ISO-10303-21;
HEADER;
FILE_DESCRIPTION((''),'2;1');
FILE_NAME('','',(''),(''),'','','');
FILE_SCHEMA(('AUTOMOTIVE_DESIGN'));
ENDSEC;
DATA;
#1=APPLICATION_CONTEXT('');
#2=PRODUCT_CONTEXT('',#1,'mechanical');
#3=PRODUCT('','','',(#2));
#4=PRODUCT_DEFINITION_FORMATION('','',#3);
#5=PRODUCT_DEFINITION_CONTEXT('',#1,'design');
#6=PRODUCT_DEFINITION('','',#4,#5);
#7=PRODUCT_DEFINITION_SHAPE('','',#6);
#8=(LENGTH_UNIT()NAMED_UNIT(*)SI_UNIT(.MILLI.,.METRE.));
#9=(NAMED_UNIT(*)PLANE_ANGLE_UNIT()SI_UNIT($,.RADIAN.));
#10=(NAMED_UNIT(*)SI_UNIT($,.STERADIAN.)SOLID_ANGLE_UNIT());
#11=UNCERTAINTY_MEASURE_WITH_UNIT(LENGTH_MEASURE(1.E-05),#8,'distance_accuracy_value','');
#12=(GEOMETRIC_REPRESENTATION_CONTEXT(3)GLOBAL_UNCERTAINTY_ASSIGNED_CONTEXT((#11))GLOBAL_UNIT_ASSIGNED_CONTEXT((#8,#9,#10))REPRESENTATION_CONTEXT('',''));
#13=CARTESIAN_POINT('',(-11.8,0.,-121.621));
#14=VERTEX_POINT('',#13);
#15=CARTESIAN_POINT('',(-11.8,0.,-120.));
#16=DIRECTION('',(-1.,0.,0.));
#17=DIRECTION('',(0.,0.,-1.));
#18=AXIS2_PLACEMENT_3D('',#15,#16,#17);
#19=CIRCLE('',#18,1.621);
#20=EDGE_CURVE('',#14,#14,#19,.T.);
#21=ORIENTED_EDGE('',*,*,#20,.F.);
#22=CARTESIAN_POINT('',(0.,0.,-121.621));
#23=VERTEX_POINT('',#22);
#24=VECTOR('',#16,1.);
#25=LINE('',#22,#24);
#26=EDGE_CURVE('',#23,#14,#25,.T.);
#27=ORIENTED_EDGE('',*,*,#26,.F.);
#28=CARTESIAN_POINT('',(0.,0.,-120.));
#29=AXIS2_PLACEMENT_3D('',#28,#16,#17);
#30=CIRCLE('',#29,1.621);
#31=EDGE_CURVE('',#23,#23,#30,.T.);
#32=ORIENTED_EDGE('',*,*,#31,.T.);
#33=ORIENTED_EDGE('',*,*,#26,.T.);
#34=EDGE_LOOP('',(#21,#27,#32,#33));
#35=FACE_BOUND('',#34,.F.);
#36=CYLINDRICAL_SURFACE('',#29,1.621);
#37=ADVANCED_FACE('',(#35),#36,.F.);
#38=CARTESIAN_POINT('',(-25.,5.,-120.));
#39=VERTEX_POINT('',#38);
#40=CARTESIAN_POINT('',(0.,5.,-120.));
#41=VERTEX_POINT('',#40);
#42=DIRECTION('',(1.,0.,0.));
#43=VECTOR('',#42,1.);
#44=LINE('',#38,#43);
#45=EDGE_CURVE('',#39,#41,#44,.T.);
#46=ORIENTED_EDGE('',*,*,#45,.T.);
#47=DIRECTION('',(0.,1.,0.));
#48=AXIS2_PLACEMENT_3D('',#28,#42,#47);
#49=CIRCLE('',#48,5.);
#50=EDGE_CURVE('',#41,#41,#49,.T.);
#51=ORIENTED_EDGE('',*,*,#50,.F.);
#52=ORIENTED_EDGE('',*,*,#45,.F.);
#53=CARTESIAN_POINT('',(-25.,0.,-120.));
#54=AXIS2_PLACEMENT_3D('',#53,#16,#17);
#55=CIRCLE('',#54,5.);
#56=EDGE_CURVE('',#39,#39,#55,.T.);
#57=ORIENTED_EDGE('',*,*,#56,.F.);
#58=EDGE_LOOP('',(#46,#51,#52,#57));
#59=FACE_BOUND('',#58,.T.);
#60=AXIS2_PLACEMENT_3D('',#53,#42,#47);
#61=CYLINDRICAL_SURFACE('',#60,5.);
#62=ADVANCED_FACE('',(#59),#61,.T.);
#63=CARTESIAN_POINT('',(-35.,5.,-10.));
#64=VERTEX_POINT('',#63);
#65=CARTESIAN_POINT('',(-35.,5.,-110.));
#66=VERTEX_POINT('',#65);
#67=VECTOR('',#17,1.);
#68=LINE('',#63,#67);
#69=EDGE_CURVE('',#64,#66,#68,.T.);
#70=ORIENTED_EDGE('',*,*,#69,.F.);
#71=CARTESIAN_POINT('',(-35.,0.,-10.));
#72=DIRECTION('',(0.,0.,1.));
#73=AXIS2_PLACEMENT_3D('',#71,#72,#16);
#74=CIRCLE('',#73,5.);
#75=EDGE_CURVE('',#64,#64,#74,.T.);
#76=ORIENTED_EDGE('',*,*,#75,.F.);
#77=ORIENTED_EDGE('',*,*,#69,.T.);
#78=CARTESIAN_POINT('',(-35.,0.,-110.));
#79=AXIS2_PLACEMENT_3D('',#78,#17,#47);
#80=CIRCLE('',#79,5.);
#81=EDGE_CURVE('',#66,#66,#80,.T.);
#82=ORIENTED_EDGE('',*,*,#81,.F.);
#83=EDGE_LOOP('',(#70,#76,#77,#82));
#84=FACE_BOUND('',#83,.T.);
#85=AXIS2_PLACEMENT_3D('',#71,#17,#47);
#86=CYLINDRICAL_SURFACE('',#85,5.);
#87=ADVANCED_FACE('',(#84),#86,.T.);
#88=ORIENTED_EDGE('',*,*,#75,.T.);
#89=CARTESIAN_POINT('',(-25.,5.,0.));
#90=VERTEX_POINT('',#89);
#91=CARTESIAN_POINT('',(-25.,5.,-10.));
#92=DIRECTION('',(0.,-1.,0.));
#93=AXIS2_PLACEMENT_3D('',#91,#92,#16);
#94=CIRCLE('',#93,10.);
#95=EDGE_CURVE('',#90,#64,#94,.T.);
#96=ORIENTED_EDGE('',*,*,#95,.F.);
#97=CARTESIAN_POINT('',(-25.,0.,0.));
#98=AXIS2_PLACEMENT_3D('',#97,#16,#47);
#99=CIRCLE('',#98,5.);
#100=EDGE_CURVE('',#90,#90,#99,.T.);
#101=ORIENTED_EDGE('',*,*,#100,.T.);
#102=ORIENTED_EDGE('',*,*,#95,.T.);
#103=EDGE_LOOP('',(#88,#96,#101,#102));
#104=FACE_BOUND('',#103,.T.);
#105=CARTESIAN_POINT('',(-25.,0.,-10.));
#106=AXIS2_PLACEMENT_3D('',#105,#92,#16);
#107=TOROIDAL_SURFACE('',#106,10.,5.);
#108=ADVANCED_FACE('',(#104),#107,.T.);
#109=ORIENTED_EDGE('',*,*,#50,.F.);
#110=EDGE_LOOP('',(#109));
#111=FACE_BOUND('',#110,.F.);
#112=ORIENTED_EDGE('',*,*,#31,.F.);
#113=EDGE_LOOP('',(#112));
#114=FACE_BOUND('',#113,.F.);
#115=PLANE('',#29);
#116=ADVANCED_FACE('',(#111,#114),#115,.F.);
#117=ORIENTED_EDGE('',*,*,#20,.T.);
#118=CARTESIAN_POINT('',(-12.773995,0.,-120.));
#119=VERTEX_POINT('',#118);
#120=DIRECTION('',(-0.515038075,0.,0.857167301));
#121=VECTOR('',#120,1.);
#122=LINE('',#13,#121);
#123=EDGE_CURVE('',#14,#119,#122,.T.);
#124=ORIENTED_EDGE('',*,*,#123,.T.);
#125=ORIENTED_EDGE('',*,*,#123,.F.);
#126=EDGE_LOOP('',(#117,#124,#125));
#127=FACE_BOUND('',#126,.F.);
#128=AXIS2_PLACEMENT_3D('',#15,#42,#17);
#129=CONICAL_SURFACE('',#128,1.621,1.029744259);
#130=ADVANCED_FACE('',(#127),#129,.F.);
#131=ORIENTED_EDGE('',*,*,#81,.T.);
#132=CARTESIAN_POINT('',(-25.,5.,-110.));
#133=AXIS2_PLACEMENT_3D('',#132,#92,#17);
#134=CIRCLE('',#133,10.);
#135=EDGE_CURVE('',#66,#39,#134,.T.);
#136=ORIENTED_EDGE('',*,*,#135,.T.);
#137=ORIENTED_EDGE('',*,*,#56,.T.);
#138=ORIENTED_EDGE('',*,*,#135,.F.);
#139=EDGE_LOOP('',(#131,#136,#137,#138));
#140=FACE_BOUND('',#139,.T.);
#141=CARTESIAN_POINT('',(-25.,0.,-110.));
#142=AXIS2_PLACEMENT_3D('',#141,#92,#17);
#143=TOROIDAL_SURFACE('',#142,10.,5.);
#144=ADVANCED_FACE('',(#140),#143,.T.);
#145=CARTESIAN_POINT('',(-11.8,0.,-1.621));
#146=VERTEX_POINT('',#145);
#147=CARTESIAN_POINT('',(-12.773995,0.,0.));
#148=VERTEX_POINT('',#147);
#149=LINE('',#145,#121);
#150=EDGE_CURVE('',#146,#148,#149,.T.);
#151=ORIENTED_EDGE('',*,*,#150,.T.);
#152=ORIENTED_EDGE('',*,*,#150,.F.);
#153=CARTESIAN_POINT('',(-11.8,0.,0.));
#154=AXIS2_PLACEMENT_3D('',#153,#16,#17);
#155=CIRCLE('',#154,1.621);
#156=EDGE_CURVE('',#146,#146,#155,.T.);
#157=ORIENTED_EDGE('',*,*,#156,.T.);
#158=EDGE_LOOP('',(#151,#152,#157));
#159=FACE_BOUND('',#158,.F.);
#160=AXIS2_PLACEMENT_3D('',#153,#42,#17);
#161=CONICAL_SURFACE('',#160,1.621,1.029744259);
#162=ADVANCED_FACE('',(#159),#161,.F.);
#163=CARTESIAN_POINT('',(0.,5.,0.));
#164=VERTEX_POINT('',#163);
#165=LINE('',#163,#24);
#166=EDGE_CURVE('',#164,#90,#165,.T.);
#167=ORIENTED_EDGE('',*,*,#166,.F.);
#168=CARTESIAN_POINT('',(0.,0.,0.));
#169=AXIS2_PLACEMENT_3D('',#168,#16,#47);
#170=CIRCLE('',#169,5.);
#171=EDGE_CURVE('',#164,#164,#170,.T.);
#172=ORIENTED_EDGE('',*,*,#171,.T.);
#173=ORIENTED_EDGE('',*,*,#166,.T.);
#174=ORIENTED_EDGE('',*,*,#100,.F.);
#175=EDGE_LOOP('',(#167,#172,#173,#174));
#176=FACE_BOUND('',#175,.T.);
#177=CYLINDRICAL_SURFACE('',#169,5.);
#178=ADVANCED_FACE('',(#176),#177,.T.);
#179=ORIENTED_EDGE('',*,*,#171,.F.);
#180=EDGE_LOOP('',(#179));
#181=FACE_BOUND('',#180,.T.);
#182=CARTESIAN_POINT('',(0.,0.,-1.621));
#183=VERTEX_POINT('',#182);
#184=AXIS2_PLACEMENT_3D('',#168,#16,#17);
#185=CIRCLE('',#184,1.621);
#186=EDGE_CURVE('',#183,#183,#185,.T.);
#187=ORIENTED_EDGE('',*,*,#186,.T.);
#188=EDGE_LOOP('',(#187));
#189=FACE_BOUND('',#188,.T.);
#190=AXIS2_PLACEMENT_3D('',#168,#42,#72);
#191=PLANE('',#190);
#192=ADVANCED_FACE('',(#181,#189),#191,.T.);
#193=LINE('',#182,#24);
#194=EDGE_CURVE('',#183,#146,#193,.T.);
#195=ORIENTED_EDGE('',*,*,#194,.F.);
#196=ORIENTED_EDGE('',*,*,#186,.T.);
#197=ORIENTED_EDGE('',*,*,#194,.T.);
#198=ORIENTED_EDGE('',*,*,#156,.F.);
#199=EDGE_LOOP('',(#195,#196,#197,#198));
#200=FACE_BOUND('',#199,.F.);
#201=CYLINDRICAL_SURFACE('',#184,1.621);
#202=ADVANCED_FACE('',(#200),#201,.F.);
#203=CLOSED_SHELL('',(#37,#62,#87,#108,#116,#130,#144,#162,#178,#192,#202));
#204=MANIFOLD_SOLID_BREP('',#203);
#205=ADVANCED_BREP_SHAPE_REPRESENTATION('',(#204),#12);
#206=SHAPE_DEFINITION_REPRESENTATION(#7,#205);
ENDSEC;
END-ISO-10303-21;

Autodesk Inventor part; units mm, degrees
ref_plane "YZ Plane" through (0, 0, 0) normal (1, 0, 0) x (0, 1, 0)
ref_plane "XZ Plane" through (0, 0, 0) normal (0, 1, 0) x (-1, 0, 0)
ref_plane "XY Plane" through (0, 0, 0) normal (0, 0, 1) x (1, 0, 0)
sketch "Skizze1" plane through (0, 0, 0) normal (0, 1, 0) x (-1, 0, 0)
  line L0 (0, 0) -> (25, 0)
  line L1 (35, -10) -> (35, -110)
  line L2 (25, -120) -> (0, -120)
  arc A0 (35, -10) -> (25, 0) centre (25, -10) ccw
  arc A1 (25, -120) -> (35, -110) centre (25, -110) ccw
  point P0 (35, 0)
  point P1 (35, -120)
  dimension "d0" = 35
  dimension "d1" = 120
  dimension "d2" = 10
sketch "Skizze2" plane through (0, 0, 0) normal (1, 0, 0) x (0, 1, 0)
  circle A0 centre (0, 0) radius 5
  dimension "d3" = 10
sweep "Sweeping1" add profiles "Skizze2" path "Skizze1"
sketch "Skizze3" plane through (0, 0, 0) normal (1, 0, 0) x (0, 0, -1)
  circle A0 centre (0, 0) radius 5 projected
  point P0 (120, 0)
hole "Bohrung1" at (0, 0, 0) at (0, 0, -120) direction (-1, 0, 0) diameter 3.242 depth 11.8 tip angle 118
properties part number "Blechgriff"
